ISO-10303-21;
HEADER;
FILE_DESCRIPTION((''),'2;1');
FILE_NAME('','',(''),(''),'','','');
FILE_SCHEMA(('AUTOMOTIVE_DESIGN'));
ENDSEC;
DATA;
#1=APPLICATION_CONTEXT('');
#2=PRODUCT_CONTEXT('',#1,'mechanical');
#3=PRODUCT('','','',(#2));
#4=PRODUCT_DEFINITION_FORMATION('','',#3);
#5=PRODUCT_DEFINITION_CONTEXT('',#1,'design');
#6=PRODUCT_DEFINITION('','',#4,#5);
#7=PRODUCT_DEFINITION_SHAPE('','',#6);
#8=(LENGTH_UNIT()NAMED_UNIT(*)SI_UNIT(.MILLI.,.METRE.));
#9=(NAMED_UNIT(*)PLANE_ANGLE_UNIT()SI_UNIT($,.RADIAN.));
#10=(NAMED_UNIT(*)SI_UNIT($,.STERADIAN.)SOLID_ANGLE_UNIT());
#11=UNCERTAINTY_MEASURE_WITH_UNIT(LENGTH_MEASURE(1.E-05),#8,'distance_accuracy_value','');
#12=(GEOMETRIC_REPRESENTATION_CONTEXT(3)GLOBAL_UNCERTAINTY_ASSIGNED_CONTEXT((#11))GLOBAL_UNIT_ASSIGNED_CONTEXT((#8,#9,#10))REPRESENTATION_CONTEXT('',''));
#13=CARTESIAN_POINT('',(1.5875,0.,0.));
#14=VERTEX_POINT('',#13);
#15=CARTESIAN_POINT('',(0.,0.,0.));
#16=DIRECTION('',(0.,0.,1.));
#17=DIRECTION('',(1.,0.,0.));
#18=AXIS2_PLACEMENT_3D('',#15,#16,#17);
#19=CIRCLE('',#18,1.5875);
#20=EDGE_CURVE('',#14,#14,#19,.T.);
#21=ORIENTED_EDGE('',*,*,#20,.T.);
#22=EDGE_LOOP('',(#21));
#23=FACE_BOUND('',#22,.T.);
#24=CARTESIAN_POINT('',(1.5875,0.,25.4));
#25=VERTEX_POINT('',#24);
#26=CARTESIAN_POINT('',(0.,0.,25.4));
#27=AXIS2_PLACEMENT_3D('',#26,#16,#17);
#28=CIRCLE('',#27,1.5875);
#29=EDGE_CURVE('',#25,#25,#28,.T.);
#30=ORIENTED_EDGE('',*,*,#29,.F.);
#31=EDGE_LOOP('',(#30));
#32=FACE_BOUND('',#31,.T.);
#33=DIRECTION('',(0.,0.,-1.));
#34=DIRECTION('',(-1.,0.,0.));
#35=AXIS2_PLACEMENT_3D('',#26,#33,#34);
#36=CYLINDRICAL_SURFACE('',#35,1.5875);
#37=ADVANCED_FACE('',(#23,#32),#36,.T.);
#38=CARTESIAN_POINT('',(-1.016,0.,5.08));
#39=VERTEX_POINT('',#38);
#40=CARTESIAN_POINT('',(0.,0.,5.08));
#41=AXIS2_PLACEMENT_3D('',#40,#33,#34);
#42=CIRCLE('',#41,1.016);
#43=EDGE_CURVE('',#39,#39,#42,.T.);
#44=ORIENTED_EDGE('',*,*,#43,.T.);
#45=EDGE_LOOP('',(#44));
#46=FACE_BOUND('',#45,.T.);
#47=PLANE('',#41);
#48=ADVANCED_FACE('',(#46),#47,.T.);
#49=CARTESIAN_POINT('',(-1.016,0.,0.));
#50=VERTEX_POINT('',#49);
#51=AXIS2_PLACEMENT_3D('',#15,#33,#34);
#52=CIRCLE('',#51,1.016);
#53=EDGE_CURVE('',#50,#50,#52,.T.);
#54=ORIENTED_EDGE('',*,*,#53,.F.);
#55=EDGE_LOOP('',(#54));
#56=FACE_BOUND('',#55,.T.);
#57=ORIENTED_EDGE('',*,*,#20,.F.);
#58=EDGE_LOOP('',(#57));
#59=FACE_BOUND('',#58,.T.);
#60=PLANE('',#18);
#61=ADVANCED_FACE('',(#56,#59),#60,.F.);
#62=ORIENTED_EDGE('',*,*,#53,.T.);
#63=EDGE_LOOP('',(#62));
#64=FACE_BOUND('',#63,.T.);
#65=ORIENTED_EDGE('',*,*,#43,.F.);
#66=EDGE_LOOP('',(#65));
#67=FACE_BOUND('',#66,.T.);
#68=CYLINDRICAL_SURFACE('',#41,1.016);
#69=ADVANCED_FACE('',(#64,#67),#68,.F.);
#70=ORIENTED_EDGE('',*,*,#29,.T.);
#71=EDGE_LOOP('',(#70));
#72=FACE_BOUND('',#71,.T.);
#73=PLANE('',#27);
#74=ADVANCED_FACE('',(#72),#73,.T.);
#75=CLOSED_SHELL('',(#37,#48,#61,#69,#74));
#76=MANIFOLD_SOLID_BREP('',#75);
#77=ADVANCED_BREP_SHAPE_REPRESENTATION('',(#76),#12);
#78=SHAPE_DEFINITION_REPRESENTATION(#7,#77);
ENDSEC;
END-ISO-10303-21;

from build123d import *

# Parameters (mm, degrees)
SKETCH1_R           = 1.5875
BOSS_EXTRUDE1_DEPTH = 25.4
SKETCH2_R           = 1.016
CUT_EXTRUDE1_DEPTH  = 5.08


with BuildPart() as part:
    # Sketch1 → Boss-Extrude1 (new body)
    with BuildSketch(Plane.XY):
        Circle(SKETCH1_R)
    extrude(amount=BOSS_EXTRUDE1_DEPTH)

    # Sketch2 → Cut-Extrude1 (cut)
    with BuildSketch(Plane(origin=(0, 0, 0), x_dir=(-1, 0, 0), z_dir=(0, 0, -1))):
        Circle(SKETCH2_R)
    extrude(amount=-CUT_EXTRUDE1_DEPTH, mode=Mode.SUBTRACT)


solid = part.part
